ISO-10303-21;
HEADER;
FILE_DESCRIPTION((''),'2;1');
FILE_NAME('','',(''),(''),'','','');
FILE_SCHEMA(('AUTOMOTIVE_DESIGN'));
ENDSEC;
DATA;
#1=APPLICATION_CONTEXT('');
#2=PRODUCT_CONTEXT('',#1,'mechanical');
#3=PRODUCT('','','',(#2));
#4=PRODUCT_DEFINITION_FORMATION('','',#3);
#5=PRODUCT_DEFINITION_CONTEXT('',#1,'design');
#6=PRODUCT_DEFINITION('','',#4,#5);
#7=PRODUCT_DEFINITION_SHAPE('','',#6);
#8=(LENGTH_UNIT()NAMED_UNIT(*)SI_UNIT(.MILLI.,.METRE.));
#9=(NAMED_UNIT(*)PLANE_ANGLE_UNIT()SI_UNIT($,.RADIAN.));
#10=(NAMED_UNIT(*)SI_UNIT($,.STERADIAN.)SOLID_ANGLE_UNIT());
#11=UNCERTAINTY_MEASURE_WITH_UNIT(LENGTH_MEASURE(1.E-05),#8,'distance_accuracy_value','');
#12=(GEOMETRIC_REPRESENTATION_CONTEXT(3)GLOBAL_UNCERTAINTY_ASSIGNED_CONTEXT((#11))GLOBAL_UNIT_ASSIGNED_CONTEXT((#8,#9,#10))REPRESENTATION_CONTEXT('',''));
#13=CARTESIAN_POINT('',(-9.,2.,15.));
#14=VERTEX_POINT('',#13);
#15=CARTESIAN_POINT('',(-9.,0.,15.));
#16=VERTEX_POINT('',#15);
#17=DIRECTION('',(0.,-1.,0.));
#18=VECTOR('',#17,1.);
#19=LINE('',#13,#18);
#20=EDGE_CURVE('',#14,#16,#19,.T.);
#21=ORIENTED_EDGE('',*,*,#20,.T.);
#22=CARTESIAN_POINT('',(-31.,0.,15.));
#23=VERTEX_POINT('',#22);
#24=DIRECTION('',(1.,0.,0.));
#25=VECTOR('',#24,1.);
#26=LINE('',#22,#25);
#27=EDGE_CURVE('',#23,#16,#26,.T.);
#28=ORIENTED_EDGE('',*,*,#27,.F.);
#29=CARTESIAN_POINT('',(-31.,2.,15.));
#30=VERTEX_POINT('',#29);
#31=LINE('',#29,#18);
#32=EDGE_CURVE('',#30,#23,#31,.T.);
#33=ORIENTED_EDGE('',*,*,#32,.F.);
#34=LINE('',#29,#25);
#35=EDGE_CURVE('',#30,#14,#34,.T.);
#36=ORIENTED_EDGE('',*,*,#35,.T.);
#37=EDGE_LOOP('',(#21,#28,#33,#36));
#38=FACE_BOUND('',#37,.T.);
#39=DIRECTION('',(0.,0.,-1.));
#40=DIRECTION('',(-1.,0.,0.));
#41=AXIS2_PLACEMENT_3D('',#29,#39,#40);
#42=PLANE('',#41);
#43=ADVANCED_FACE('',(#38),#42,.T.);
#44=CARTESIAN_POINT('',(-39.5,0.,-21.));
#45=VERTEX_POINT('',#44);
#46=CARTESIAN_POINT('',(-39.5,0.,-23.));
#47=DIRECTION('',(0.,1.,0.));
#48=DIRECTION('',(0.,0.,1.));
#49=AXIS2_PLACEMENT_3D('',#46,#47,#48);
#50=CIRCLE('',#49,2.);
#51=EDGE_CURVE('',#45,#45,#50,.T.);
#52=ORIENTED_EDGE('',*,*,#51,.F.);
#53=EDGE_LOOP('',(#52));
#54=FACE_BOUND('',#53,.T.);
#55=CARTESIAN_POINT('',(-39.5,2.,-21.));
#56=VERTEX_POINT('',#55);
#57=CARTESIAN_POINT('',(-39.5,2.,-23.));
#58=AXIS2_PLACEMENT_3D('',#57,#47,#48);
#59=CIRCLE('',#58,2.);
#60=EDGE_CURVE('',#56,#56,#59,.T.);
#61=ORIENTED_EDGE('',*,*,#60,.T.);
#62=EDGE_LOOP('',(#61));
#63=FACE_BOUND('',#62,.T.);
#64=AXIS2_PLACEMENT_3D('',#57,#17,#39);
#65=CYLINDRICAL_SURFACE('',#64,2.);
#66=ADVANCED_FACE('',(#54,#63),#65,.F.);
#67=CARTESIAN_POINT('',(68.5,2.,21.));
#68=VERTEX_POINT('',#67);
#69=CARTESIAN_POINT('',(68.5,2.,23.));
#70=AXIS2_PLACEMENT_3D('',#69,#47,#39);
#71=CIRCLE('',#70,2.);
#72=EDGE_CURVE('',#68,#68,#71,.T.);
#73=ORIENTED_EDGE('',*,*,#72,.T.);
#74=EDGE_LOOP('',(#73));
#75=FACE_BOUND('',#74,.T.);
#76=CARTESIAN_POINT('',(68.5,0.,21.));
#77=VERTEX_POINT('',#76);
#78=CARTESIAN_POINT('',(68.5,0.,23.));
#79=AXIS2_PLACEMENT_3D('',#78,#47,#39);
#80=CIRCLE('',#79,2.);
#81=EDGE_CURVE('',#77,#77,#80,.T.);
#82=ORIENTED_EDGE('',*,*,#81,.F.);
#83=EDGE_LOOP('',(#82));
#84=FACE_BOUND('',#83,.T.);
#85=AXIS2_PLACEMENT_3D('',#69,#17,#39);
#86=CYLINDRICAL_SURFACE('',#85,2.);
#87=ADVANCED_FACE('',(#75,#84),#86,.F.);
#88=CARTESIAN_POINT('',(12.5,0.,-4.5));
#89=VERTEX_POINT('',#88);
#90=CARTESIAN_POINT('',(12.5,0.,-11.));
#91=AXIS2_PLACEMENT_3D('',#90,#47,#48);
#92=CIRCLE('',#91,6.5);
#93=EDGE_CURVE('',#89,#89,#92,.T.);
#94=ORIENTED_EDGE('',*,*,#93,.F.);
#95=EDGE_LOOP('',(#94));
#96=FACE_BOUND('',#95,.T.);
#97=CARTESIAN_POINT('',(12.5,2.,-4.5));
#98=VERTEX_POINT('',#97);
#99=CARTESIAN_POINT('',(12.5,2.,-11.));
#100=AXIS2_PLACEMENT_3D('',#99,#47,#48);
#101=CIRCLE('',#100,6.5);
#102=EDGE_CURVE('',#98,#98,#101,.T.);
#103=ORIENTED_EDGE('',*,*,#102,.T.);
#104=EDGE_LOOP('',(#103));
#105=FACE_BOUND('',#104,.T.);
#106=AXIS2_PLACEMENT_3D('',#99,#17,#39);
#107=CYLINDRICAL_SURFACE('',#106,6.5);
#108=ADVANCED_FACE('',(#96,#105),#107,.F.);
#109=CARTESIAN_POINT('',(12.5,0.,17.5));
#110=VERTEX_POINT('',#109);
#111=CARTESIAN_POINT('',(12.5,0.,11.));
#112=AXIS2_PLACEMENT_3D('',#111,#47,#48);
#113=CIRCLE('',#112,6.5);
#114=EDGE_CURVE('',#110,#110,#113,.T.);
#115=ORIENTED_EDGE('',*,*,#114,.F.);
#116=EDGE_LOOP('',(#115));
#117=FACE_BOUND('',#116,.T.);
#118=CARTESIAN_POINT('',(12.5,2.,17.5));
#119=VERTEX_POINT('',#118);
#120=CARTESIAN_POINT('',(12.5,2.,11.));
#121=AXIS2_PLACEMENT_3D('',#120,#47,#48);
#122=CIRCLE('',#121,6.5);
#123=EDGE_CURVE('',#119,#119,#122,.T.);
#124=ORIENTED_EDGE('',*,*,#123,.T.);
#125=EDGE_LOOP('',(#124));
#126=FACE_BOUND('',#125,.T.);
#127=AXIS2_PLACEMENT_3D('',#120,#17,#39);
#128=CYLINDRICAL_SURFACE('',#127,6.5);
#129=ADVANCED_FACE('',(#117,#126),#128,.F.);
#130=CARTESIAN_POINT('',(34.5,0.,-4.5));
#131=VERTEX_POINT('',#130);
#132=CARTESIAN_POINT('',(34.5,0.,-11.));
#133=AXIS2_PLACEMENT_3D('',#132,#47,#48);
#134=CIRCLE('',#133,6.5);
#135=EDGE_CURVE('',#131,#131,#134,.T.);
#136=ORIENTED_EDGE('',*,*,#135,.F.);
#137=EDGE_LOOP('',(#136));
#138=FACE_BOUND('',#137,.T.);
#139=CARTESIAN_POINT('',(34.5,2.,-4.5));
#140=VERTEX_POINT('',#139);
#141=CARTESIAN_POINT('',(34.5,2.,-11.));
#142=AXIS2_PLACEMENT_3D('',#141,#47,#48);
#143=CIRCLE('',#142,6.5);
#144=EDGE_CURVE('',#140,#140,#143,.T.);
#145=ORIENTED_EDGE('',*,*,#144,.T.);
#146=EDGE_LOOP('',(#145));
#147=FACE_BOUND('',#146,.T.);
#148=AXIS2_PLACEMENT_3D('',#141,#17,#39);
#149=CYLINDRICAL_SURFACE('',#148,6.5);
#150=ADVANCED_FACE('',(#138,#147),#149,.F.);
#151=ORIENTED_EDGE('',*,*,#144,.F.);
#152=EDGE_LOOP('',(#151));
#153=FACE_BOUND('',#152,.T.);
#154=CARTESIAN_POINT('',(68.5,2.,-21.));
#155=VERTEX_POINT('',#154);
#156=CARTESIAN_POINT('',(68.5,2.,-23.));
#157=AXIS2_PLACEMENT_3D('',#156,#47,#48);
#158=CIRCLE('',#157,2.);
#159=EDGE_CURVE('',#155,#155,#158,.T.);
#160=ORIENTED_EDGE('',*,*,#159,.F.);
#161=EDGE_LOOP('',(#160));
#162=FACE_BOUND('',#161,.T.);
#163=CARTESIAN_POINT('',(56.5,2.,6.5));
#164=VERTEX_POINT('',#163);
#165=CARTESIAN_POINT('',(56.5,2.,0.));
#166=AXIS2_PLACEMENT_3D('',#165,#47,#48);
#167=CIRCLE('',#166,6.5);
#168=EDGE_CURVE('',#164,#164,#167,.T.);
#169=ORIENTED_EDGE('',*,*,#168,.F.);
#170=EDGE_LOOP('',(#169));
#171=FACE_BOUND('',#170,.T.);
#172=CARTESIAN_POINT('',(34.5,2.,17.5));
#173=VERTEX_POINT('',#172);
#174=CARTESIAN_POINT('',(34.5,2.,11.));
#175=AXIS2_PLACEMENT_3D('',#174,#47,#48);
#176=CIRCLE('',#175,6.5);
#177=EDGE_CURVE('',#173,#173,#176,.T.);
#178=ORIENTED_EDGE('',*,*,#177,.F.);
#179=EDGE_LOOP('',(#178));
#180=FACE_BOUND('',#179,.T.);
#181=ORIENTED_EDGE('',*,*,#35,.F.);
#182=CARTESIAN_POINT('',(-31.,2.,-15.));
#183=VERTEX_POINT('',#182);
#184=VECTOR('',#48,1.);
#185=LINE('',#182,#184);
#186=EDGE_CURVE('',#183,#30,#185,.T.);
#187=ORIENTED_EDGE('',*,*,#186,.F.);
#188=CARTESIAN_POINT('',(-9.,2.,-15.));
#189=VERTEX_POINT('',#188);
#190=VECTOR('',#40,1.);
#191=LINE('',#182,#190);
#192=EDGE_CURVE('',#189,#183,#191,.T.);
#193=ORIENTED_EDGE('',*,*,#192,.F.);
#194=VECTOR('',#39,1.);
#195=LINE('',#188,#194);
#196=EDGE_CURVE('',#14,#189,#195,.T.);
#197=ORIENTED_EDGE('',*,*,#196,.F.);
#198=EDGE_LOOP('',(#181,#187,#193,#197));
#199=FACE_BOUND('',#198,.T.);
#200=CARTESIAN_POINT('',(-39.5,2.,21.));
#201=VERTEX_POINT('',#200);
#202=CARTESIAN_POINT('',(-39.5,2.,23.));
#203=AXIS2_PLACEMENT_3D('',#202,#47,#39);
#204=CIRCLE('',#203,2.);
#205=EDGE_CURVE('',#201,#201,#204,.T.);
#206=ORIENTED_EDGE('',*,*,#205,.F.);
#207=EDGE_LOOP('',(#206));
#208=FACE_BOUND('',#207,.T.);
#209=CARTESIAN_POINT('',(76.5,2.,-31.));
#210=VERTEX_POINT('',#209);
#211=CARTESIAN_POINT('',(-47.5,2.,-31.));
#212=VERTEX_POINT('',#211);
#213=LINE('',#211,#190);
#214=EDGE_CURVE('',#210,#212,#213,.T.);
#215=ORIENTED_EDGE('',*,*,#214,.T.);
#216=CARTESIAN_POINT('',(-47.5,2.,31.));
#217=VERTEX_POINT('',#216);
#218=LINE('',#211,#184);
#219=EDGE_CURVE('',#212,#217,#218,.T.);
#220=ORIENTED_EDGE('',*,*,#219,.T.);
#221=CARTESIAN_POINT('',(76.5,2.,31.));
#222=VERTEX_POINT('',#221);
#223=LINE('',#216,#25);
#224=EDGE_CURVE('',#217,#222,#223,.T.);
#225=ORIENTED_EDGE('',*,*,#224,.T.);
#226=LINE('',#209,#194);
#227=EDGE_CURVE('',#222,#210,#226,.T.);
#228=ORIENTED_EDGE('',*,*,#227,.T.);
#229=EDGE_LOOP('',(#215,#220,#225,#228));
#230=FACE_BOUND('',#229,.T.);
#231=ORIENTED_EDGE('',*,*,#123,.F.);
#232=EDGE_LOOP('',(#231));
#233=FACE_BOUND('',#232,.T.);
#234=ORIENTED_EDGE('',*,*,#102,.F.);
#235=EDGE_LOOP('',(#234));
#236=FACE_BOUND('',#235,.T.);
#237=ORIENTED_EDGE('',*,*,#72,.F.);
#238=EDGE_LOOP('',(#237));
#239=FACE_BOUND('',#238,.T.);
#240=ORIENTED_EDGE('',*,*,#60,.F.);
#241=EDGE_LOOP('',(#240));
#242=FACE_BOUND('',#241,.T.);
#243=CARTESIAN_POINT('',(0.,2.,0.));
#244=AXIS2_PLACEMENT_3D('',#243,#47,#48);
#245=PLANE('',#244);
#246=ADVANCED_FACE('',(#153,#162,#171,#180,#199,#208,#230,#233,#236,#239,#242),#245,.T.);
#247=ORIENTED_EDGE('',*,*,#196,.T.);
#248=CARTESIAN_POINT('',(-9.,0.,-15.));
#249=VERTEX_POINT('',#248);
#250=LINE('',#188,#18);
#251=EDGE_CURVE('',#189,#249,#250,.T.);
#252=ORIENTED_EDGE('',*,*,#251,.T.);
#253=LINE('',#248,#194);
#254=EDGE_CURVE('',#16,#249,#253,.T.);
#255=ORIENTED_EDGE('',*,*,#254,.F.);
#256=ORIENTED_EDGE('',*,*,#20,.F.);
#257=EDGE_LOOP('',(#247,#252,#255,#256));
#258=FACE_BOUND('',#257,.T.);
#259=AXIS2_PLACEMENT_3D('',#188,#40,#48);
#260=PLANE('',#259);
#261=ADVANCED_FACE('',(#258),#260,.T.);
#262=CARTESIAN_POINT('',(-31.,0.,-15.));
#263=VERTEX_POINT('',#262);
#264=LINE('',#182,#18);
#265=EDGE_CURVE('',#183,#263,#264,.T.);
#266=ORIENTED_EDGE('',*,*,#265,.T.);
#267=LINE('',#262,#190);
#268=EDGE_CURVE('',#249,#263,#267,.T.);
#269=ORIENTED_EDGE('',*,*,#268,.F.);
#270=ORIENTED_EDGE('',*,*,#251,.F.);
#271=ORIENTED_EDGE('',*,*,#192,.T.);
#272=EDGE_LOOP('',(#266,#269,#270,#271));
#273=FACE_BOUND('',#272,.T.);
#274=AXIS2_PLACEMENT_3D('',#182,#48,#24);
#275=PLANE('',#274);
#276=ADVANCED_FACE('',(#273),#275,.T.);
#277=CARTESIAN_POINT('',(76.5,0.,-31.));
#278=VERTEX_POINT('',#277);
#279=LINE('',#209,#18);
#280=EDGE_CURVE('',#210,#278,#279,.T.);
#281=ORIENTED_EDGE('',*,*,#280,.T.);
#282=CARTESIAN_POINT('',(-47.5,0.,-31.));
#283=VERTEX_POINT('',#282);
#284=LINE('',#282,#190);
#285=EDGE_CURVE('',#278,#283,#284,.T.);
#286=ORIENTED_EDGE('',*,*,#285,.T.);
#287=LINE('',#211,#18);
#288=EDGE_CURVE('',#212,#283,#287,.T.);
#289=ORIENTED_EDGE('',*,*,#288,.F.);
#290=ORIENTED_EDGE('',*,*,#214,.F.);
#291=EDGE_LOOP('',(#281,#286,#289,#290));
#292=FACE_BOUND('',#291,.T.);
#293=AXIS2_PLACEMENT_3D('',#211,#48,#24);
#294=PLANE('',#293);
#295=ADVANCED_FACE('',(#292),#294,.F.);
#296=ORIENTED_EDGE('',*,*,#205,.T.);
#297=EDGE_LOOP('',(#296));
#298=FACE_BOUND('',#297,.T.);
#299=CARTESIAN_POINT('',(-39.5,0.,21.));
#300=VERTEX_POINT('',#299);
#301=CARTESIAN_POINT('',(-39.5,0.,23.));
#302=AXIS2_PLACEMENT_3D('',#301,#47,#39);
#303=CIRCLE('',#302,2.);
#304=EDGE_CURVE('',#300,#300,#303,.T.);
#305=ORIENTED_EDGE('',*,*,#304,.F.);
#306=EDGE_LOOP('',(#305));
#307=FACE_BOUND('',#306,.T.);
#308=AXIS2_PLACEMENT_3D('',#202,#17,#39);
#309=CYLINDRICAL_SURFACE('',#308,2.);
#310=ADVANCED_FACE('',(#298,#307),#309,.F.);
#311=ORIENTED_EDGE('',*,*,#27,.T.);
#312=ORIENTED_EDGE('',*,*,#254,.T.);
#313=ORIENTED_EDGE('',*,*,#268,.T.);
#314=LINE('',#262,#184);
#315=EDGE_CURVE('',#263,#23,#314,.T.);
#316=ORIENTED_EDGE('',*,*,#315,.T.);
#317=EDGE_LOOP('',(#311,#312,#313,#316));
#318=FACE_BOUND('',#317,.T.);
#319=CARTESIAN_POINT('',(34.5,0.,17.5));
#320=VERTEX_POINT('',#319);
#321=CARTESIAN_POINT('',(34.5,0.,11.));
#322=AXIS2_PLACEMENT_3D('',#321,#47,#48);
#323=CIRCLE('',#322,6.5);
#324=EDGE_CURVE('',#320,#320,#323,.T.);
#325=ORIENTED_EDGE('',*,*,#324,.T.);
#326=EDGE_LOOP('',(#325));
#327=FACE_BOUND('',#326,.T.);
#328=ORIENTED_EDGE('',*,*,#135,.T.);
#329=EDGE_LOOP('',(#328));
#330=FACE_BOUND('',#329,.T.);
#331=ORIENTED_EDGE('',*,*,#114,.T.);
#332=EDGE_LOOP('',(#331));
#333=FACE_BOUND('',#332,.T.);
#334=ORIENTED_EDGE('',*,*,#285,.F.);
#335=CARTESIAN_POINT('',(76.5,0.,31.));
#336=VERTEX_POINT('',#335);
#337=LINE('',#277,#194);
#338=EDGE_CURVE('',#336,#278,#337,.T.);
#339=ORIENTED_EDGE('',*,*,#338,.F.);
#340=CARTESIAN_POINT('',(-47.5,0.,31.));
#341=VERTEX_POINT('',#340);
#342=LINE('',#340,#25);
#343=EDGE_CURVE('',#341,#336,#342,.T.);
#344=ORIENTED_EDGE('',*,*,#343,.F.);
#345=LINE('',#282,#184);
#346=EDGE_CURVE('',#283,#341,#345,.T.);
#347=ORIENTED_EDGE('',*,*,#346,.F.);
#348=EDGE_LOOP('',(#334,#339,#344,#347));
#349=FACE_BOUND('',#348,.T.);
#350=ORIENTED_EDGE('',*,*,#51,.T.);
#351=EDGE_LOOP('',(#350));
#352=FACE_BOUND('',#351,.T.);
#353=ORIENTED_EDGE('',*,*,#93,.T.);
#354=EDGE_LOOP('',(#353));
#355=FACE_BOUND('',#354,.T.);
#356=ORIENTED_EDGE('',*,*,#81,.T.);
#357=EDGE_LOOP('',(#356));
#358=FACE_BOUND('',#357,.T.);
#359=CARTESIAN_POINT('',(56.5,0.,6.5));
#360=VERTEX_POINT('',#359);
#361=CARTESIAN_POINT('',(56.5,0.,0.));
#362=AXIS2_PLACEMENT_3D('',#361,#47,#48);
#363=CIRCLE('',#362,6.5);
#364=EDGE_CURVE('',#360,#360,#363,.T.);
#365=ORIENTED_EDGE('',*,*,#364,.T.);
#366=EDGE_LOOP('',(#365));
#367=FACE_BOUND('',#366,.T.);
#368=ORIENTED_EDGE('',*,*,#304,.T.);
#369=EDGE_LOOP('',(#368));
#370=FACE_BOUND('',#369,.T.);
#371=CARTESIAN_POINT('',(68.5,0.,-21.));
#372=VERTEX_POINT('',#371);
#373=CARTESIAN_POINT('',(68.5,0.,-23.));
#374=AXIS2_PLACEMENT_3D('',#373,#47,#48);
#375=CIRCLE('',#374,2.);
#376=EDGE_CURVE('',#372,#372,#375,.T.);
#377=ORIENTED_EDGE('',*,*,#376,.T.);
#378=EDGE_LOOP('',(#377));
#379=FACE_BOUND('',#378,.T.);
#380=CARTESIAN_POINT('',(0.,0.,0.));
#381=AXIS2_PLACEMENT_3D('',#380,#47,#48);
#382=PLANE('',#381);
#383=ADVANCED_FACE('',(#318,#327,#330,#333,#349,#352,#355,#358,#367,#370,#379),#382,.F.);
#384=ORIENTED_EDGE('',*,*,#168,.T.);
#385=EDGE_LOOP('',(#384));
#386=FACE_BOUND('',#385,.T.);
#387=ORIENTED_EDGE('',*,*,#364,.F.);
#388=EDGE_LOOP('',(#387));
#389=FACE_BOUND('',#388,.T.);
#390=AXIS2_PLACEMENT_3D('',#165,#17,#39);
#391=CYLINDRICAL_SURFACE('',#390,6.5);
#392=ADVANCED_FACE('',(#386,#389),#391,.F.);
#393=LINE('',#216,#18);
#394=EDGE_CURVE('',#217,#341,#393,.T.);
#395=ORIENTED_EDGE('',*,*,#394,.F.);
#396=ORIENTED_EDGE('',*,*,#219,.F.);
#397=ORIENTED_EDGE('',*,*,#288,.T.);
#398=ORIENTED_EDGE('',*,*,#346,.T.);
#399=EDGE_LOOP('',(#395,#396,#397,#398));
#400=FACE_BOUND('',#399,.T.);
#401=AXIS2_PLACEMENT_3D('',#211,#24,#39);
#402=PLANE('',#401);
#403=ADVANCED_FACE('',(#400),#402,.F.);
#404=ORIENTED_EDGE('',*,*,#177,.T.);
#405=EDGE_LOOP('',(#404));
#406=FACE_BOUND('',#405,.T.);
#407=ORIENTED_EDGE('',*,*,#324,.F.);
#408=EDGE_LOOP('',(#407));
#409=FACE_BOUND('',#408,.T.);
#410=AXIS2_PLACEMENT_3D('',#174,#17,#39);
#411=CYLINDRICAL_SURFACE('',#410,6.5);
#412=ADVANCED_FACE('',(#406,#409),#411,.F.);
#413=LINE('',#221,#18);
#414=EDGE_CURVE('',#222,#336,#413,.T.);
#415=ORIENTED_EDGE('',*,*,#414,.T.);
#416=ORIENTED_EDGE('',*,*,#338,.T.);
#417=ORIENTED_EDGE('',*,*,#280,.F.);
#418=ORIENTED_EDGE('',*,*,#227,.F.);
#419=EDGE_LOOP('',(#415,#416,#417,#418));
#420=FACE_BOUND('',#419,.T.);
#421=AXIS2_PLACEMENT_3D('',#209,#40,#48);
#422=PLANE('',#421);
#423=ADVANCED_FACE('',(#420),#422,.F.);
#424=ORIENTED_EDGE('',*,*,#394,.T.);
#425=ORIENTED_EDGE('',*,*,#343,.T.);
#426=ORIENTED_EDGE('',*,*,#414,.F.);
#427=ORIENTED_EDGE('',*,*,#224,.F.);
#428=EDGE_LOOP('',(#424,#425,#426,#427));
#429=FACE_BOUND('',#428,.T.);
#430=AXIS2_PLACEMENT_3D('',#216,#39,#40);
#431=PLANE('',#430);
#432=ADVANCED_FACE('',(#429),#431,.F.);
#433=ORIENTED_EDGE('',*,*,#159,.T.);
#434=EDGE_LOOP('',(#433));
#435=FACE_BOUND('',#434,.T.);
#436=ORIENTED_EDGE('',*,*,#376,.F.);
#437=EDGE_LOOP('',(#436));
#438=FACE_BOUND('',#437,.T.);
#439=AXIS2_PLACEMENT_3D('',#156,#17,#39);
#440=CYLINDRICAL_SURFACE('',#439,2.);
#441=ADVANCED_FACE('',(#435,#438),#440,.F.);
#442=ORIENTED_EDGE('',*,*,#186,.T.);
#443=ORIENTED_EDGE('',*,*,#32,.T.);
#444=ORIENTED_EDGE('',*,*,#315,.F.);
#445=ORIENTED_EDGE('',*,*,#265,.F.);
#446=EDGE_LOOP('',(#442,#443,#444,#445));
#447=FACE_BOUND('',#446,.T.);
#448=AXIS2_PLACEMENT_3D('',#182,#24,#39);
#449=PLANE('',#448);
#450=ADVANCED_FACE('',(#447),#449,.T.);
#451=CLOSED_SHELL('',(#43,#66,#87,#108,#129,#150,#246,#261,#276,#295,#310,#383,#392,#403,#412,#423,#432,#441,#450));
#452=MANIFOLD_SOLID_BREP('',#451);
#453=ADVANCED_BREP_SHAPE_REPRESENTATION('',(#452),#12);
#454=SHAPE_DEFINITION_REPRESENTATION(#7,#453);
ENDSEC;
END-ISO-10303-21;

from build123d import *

# Parameters (mm, degrees)
SKETCH1_W           = 124
SKETCH1_H           = 62
SKETCH1_R           = 6.5
SKETCH1_R_2         = 2
SKETCH1_W_2         = 22
SKETCH1_H_2         = 30
BOSS_EXTRUDE1_DEPTH = 2


with BuildPart() as part:
    # Sketch1 → Boss-Extrude1 (new body)
    with BuildSketch(Plane(origin=(0, 0, 0), x_dir=(1, 0, 0), z_dir=(0, 1, 0))):
        with Locations((14.5, 0)):
            Rectangle(SKETCH1_W, SKETCH1_H)
        with Locations((12.5, 11)):
            Circle(SKETCH1_R, mode=Mode.SUBTRACT)
        with Locations((12.5, -11)):
            Circle(SKETCH1_R, mode=Mode.SUBTRACT)
        with Locations((34.5, 11)):
            Circle(SKETCH1_R, mode=Mode.SUBTRACT)
        with Locations((34.5, -11)):
            Circle(SKETCH1_R, mode=Mode.SUBTRACT)
        with Locations((56.5, 0)):
            Circle(SKETCH1_R, mode=Mode.SUBTRACT)
        with Locations((-39.5, 23)):
            Circle(SKETCH1_R_2, mode=Mode.SUBTRACT)
        with Locations((68.5, 23)):
            Circle(SKETCH1_R_2, mode=Mode.SUBTRACT)
        with Locations((68.5, -23)):
            Circle(SKETCH1_R_2, mode=Mode.SUBTRACT)
        with Locations((-39.5, -23)):
            Circle(SKETCH1_R_2, mode=Mode.SUBTRACT)
        with Locations((-20, 0)):
            Rectangle(SKETCH1_W_2, SKETCH1_H_2, mode=Mode.SUBTRACT)
    extrude(amount=BOSS_EXTRUDE1_DEPTH)


solid = part.part
